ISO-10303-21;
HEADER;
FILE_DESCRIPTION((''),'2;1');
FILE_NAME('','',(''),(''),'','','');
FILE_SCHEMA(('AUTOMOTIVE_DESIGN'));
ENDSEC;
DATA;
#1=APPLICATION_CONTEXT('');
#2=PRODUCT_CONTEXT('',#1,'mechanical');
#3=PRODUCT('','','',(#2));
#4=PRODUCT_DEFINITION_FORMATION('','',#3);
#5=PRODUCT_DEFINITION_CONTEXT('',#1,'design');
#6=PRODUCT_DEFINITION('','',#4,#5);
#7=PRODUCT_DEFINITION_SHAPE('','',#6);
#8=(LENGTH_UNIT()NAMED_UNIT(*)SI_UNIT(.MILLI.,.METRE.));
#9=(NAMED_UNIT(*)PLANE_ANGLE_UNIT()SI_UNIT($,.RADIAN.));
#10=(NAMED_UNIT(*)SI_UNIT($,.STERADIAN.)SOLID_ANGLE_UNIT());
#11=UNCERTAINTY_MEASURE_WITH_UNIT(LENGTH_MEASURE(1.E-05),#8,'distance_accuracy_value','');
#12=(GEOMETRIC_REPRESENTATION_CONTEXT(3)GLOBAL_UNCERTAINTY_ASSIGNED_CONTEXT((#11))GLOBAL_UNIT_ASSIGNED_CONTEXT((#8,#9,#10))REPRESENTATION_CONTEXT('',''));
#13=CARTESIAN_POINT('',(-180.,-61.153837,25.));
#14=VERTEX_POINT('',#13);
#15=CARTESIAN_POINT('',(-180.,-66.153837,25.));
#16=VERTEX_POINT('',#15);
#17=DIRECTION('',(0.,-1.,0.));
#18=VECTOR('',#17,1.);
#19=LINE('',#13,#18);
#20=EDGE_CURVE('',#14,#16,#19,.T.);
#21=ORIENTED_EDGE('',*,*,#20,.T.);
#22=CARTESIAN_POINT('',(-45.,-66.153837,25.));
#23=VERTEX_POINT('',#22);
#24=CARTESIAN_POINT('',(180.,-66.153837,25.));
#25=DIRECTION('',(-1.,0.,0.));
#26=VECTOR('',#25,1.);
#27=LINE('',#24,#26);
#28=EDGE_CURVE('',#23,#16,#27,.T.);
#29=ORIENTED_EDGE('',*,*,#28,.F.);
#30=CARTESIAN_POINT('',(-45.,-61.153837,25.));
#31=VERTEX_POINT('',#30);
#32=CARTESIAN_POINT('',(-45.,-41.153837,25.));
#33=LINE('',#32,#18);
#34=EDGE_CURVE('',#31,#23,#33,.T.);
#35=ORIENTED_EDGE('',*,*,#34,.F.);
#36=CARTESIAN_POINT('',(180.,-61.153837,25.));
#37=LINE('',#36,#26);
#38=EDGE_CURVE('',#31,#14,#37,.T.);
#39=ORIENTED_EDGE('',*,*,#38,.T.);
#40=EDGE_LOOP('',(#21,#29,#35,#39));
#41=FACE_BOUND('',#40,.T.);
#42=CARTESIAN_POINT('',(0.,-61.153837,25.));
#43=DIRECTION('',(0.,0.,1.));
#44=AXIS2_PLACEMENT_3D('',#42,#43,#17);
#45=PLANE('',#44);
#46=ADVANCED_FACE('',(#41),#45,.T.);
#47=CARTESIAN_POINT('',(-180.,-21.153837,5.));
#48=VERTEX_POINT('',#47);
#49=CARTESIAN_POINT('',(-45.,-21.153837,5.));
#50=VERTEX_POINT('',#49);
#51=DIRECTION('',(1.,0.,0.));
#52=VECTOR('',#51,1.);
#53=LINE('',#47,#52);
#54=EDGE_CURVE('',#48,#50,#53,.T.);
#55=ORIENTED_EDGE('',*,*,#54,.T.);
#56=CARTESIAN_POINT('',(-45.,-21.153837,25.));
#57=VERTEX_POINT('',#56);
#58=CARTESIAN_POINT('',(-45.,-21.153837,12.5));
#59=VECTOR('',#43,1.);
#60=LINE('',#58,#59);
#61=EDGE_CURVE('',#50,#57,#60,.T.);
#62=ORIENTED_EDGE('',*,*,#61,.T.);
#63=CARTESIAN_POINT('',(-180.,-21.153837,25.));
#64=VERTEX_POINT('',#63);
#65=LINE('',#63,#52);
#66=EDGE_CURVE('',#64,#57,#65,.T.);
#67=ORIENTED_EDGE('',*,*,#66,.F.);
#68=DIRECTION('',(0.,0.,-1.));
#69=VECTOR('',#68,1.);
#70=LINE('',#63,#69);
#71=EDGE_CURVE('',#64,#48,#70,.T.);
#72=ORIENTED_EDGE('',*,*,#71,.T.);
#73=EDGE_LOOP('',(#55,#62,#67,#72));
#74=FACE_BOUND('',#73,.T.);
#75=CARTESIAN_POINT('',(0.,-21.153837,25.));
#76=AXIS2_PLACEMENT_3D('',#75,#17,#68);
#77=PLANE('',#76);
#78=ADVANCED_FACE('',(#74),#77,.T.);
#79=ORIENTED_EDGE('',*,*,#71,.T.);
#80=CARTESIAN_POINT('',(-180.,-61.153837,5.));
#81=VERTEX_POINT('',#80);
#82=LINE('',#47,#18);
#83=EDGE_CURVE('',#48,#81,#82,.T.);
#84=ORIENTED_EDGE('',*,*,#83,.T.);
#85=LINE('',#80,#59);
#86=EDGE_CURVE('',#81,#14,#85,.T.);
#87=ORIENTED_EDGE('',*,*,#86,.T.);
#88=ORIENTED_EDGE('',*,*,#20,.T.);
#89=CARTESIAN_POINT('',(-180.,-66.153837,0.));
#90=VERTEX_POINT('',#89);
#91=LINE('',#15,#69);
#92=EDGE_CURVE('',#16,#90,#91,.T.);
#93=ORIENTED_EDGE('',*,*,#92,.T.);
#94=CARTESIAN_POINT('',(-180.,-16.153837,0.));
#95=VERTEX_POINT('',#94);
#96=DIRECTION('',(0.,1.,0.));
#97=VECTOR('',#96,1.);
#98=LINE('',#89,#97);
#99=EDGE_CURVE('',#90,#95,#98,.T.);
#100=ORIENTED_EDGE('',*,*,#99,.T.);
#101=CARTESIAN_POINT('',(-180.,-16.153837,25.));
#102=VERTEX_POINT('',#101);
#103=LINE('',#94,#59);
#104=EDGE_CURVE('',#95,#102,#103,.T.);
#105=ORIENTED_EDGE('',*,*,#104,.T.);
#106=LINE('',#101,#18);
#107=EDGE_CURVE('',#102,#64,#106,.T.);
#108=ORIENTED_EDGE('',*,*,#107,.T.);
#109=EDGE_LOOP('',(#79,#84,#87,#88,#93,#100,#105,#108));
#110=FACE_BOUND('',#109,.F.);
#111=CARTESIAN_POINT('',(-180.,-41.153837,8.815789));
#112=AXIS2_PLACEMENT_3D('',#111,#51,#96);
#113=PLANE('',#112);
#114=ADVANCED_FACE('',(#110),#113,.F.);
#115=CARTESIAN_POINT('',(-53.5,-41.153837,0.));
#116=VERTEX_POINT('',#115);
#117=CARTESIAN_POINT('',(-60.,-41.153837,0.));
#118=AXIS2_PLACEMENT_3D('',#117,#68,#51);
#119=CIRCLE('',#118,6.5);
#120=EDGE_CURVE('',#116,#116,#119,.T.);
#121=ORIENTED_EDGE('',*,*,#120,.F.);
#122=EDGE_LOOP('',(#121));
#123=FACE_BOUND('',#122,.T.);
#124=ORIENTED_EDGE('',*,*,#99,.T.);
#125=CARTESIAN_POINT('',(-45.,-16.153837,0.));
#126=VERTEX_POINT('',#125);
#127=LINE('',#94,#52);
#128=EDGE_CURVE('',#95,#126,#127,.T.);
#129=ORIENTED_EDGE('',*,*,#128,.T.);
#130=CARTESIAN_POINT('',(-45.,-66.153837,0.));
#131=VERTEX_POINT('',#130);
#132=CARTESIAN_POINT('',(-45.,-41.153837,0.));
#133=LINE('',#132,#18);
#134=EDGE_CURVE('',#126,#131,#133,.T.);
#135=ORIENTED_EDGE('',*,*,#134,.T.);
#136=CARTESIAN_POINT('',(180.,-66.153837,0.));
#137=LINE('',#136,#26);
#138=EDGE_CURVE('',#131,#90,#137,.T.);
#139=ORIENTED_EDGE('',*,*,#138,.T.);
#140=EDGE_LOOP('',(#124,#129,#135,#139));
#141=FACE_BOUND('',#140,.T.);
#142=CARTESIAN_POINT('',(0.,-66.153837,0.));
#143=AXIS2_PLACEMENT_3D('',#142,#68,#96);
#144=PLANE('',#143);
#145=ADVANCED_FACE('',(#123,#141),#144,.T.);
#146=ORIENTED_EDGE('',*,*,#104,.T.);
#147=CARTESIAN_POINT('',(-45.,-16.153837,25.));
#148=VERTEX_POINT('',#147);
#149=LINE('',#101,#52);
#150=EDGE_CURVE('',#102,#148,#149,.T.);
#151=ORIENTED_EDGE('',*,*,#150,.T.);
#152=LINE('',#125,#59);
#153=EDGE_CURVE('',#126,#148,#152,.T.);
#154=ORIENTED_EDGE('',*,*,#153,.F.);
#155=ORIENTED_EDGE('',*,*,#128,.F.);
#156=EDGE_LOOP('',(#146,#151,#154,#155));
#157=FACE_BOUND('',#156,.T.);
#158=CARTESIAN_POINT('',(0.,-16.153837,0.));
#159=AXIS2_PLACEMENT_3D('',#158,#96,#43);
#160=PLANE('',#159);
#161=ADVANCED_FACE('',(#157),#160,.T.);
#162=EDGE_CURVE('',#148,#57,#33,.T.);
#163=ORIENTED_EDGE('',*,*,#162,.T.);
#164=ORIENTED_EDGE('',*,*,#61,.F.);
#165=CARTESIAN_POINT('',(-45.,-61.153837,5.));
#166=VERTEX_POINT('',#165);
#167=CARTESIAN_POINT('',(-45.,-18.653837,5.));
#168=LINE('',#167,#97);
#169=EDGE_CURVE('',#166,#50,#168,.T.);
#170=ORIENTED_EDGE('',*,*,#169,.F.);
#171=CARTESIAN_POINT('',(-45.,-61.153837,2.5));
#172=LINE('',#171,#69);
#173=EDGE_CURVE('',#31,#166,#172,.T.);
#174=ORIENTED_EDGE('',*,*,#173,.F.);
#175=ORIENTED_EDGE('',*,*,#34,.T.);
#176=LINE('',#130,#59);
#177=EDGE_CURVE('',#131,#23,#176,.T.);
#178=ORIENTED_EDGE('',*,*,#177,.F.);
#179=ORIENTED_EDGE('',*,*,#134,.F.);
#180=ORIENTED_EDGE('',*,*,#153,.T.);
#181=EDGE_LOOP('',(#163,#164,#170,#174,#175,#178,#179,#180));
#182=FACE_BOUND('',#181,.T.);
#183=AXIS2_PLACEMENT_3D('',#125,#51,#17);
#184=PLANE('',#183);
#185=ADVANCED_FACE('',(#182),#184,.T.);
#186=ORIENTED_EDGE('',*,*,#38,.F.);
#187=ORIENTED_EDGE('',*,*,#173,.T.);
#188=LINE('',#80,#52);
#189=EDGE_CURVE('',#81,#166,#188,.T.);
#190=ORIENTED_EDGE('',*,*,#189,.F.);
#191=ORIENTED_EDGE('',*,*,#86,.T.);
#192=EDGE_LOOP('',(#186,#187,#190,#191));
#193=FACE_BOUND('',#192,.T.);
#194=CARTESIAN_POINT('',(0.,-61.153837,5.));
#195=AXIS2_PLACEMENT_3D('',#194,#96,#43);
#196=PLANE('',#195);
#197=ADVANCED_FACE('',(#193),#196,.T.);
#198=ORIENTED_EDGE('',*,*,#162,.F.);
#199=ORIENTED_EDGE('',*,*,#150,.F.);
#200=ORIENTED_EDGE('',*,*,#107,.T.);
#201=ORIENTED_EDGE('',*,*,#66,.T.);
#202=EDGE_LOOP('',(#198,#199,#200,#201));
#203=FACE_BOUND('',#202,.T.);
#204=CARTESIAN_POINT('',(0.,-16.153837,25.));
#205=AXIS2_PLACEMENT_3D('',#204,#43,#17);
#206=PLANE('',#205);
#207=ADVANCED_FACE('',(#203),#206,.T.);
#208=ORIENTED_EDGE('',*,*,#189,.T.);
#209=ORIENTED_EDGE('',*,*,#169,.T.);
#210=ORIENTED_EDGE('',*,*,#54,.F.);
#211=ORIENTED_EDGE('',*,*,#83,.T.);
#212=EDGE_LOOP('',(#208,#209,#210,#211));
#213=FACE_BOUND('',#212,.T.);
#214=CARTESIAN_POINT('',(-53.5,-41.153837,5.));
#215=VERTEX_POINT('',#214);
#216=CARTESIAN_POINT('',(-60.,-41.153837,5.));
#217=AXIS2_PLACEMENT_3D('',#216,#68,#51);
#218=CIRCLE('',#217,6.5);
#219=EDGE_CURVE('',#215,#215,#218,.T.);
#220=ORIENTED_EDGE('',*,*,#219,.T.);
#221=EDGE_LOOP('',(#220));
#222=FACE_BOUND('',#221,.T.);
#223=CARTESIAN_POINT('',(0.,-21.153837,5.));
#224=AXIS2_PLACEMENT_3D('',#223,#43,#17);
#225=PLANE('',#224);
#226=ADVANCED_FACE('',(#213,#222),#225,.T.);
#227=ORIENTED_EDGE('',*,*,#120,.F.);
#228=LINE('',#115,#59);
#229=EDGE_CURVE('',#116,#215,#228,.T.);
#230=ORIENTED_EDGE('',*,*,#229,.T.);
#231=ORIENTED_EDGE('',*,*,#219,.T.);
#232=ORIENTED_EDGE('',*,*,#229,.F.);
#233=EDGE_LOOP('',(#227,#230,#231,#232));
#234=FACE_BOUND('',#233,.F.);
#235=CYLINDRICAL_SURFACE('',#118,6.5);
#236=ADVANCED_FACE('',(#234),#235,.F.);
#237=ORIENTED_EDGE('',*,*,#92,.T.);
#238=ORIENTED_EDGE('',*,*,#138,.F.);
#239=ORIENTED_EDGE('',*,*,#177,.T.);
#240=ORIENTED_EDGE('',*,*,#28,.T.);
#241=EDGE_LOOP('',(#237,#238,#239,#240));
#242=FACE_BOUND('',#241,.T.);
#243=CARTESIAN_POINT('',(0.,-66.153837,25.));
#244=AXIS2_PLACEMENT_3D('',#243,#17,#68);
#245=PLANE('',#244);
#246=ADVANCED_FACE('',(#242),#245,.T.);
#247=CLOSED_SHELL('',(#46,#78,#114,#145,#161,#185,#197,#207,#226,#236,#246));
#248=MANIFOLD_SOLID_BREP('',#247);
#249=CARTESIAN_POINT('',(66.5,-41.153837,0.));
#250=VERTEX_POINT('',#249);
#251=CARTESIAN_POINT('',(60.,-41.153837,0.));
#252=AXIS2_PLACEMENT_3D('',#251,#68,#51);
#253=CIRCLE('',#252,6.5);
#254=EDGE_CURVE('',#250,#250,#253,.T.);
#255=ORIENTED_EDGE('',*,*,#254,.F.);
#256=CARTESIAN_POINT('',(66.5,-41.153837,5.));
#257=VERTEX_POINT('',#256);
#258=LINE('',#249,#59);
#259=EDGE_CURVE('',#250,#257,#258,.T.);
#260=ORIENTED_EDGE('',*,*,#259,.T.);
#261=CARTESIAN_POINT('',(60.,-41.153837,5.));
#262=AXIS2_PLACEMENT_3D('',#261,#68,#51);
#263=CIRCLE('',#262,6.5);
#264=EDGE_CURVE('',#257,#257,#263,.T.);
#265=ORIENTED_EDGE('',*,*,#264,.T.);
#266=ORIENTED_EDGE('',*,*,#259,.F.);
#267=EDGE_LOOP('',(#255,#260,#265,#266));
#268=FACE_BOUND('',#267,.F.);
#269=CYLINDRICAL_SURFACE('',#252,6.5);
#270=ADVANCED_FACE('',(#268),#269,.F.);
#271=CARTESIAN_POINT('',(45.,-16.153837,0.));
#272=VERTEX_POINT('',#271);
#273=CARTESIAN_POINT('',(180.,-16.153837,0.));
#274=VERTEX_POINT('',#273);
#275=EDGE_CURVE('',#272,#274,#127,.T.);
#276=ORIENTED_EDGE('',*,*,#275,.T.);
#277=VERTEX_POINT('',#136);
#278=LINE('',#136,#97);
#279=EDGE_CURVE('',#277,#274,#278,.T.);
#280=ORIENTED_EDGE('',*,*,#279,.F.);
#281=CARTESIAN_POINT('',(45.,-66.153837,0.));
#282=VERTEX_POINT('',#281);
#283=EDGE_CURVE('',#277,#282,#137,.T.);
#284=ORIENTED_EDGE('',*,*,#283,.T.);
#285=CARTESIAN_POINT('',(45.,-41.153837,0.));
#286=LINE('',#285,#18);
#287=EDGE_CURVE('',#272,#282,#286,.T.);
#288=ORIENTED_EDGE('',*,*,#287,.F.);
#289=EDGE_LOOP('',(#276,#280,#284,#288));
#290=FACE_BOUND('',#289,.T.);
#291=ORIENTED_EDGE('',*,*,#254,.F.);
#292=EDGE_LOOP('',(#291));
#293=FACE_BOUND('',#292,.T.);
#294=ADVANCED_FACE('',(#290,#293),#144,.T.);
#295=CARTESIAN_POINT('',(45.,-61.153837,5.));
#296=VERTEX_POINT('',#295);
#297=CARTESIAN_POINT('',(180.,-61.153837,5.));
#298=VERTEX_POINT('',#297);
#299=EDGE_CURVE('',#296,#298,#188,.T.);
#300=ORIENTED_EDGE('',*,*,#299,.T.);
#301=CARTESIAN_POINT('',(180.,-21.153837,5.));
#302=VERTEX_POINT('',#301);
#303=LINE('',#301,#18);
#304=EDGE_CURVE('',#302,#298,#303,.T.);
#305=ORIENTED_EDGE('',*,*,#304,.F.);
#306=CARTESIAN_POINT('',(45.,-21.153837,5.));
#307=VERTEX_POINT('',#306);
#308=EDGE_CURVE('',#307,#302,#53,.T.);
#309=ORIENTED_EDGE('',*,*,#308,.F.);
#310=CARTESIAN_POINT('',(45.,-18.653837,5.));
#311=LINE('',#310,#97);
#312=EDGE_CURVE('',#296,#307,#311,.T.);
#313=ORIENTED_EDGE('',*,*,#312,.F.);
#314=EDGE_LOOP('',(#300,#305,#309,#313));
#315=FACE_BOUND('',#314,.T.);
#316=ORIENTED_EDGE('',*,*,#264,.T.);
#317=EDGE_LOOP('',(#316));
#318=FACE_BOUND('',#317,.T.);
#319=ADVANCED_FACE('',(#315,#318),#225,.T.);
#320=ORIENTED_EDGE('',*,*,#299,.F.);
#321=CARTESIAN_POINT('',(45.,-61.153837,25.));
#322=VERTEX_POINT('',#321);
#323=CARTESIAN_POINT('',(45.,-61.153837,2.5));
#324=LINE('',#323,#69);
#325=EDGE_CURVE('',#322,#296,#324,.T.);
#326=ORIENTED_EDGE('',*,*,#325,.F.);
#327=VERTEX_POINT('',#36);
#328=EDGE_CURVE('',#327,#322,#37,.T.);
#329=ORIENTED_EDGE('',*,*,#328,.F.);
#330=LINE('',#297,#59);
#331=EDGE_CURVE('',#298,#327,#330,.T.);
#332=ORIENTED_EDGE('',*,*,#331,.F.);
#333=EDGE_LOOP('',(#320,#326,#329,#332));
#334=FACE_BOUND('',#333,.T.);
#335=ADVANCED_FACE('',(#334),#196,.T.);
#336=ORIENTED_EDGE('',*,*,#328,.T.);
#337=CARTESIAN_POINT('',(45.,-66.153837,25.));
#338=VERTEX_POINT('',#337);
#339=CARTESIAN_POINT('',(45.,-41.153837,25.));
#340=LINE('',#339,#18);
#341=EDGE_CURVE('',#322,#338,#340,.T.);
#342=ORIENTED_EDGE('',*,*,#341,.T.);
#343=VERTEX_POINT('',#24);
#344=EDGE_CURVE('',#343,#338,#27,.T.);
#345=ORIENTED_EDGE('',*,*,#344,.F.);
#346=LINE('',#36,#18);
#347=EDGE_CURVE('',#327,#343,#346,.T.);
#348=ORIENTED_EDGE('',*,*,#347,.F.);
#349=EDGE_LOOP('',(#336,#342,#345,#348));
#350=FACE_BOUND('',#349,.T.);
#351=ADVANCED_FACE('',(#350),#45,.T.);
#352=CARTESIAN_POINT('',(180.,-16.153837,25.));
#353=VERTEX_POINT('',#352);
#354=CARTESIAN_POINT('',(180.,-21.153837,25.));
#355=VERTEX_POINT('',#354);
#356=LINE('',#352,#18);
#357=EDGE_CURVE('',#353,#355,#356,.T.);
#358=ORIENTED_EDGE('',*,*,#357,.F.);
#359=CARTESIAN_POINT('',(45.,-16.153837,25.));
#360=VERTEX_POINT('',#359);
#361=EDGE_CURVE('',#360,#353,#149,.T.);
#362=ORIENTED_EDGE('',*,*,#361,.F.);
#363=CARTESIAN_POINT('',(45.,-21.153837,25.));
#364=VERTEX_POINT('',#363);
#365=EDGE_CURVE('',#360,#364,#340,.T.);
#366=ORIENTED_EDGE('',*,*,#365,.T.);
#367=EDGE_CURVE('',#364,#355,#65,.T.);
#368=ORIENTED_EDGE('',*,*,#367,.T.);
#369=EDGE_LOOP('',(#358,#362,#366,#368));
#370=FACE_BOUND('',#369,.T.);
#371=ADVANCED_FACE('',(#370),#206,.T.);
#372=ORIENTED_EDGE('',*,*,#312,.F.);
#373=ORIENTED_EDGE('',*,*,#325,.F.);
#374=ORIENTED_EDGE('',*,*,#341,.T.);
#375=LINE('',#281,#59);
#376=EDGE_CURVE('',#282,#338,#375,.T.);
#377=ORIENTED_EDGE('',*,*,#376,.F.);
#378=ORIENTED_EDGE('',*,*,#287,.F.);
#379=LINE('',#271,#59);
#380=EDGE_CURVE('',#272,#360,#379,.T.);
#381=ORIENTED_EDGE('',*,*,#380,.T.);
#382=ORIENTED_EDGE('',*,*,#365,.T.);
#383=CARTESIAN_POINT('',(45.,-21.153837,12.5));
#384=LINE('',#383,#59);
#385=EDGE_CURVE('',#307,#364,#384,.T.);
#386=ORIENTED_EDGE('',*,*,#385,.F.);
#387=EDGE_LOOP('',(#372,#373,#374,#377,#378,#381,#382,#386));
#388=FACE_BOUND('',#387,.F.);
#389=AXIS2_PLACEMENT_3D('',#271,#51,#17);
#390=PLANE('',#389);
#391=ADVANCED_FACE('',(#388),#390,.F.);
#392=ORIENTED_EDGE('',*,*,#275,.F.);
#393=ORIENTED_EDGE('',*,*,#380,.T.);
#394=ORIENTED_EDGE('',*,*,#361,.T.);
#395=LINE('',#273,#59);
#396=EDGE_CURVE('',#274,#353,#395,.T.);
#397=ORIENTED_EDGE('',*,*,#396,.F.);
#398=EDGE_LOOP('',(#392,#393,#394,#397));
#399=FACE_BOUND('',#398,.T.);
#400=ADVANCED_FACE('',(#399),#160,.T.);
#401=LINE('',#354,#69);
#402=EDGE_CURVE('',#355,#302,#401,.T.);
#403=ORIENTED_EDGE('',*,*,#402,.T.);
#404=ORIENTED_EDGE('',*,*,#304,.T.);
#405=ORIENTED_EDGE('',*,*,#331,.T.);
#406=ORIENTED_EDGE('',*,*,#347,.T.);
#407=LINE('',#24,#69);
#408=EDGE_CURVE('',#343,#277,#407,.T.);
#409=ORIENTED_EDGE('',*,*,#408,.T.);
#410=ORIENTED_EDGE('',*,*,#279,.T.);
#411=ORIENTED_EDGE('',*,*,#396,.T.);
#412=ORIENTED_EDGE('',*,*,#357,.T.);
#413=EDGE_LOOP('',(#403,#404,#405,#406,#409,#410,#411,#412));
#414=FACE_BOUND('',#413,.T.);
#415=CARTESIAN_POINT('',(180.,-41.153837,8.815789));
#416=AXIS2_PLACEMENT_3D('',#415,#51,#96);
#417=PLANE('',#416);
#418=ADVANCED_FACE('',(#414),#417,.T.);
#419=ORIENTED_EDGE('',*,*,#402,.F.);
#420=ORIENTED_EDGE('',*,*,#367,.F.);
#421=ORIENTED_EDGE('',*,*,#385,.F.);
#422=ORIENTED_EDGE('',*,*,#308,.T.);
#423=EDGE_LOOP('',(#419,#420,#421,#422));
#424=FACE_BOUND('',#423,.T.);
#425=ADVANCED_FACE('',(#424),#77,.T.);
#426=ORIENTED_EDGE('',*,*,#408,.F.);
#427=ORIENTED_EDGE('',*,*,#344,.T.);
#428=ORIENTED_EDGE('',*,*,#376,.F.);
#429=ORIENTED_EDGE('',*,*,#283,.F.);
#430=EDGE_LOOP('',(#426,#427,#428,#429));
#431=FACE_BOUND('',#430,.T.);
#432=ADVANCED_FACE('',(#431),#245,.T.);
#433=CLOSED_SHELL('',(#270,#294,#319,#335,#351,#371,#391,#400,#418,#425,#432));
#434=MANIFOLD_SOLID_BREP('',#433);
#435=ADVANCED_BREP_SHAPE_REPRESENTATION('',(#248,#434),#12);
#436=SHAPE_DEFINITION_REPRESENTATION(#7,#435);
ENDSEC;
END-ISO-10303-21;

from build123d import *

# Parameters (mm, degrees)
F1_DEPTH = 180
F2_R     = 6.5
F3_DEPTH = 25
F4_W     = 90
F4_H     = 50
F5_DEPTH = 25


with BuildPart() as f1:
    # F0 (on Right) → F1 (new body, symmetric)
    with BuildSketch(Plane.YZ):
        Polygon((-66.153837, 0), (-16.153837, 0), (-16.153837, 25), (-21.153837, 25), (-21.153837, 5), (-61.153837, 5), (-61.153837, 25), (-66.153837, 25), align=None)
    extrude(amount=F1_DEPTH, both=True)

    # F2 (on face) → F3 (cut)
    with BuildSketch(Plane(origin=(0, 0, 0), x_dir=(1, 0, 0), z_dir=(0, 0, -1))):
        with Locations((-60, 41.153837)):
            Circle(F2_R)
        with Locations((60, 41.153837)):
            Circle(F2_R)
    extrude(amount=-F3_DEPTH, mode=Mode.SUBTRACT)

    # F4 (on face) → F5 (cut)
    with BuildSketch(Plane(origin=(0, 0, 0), x_dir=(1, 0, 0), z_dir=(0, 0, -1))):
        with Locations((0, 41.153837)):
            Rectangle(F4_W, F4_H)
    extrude(amount=-F5_DEPTH, mode=Mode.SUBTRACT)


solid = f1.part
